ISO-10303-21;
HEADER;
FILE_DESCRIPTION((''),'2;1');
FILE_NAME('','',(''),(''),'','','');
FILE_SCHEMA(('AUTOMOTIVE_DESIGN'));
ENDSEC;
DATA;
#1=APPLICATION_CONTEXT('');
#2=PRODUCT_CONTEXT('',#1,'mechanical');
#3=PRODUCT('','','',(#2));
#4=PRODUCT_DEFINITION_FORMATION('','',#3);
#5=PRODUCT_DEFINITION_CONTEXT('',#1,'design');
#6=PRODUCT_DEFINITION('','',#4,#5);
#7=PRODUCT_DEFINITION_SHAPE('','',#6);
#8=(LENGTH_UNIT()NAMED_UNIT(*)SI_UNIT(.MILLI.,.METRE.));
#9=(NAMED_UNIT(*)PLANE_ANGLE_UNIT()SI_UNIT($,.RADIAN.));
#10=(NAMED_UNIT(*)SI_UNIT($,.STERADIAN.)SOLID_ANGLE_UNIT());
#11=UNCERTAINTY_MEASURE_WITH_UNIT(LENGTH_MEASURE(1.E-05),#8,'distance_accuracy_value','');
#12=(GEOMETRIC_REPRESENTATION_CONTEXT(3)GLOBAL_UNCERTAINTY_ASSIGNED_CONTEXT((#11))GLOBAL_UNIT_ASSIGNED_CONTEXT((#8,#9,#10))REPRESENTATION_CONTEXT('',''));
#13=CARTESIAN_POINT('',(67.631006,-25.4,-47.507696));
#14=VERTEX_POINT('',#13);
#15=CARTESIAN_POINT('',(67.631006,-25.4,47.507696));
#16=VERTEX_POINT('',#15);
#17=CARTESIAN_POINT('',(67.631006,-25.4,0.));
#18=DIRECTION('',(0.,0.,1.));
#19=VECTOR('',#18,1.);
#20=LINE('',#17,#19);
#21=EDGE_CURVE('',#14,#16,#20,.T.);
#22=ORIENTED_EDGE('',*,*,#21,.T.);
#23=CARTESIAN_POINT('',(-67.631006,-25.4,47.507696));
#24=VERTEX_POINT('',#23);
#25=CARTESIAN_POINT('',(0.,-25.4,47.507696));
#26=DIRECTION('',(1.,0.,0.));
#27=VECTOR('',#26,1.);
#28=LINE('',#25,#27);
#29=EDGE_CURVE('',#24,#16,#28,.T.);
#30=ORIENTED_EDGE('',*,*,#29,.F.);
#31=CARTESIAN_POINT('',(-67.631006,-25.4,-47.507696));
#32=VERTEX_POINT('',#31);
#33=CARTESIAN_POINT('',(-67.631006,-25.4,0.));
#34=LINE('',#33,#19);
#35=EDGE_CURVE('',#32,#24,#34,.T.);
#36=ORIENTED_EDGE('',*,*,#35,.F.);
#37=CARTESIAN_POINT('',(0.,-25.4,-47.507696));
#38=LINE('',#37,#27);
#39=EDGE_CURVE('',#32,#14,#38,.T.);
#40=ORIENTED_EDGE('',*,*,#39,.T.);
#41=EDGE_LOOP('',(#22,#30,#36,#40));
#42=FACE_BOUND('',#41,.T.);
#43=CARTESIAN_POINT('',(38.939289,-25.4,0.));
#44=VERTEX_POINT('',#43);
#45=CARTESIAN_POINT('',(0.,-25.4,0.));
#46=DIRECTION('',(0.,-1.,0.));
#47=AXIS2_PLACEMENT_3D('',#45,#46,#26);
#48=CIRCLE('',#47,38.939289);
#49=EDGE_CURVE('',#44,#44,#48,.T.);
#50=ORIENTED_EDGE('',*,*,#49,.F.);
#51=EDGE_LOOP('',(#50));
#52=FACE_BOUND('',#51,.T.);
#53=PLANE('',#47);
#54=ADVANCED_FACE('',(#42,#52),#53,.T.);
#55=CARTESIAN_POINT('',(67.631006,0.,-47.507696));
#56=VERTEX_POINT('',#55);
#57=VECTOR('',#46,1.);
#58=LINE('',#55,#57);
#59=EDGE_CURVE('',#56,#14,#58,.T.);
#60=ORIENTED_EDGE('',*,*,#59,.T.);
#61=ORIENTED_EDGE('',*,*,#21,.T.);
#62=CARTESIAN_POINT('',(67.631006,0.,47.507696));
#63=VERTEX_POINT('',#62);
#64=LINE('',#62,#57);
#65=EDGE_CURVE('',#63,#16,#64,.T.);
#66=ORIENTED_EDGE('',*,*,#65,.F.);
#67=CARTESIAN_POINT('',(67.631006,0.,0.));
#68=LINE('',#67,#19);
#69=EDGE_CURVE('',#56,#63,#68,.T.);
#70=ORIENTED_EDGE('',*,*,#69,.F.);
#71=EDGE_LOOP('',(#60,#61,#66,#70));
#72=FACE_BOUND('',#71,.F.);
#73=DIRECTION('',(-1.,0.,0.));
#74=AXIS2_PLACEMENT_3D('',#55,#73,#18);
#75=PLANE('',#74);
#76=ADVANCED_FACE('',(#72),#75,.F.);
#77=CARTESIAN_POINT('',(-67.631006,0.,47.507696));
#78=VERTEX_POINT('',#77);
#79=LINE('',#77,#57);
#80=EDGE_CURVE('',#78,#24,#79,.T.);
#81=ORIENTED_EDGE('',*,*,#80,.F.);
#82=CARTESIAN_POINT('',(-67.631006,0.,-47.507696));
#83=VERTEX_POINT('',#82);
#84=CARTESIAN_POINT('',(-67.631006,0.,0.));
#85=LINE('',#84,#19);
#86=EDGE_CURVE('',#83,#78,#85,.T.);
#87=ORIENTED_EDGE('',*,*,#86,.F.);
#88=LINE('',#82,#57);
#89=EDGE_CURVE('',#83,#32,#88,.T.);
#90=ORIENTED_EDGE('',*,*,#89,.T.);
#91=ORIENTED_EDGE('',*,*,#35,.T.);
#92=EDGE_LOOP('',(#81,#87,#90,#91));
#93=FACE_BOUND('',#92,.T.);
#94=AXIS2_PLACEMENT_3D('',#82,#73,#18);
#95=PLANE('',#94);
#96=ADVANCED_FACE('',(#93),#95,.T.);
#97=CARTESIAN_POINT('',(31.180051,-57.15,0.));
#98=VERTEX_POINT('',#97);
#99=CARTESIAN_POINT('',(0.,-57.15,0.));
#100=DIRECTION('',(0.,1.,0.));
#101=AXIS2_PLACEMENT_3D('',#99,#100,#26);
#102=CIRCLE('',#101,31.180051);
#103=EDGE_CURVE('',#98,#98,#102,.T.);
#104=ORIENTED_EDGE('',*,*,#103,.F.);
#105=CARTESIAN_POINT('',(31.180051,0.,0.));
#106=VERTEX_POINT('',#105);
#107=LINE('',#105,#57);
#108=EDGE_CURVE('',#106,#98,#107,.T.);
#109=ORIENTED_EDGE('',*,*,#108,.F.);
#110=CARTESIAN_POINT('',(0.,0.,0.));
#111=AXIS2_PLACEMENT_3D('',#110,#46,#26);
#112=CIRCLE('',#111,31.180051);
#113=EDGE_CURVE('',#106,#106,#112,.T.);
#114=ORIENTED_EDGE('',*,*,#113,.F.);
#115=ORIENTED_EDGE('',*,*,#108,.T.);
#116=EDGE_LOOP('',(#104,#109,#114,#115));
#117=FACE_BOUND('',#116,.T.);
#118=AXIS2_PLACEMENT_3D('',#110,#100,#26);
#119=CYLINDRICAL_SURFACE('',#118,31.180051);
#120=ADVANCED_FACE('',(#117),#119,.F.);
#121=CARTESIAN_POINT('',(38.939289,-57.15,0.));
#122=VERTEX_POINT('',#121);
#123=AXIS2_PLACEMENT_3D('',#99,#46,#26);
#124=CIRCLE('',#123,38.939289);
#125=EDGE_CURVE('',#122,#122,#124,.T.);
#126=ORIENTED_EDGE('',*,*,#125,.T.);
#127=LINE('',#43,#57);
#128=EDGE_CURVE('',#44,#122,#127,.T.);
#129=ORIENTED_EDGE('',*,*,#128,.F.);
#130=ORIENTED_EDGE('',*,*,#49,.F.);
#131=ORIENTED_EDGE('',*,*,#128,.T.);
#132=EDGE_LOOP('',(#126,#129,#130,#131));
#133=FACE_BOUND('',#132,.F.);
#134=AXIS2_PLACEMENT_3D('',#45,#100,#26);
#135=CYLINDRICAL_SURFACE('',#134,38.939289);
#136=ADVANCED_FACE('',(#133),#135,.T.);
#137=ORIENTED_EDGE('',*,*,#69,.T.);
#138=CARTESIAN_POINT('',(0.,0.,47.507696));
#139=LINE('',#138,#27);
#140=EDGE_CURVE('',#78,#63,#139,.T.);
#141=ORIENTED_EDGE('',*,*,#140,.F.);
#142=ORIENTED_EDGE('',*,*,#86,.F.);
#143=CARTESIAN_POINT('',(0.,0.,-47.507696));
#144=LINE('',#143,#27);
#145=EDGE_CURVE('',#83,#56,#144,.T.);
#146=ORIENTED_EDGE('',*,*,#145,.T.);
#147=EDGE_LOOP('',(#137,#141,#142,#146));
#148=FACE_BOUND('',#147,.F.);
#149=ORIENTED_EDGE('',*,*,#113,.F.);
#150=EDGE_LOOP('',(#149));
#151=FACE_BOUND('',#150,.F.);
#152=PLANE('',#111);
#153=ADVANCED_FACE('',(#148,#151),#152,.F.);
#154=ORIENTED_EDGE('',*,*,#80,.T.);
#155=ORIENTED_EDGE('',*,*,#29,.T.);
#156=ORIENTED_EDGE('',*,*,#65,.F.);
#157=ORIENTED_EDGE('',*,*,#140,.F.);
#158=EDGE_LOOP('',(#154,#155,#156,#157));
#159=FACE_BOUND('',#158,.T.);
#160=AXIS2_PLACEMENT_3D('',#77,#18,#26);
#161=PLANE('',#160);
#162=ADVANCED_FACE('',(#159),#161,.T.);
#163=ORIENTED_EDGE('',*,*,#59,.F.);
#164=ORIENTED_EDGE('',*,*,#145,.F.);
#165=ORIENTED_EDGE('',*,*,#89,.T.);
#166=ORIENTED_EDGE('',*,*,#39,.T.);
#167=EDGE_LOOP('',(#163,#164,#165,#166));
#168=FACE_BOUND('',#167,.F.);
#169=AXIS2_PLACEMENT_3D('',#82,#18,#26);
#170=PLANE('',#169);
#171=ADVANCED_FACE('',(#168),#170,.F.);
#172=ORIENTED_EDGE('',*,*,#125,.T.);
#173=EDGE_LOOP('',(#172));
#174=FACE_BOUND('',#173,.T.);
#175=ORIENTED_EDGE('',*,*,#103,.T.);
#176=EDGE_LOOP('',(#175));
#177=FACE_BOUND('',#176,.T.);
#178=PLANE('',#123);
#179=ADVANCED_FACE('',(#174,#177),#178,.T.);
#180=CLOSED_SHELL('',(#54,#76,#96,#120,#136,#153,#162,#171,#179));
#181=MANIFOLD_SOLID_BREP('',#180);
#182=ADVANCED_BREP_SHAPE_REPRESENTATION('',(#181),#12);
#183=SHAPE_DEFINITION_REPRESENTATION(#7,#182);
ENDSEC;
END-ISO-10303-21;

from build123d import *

# Parameters (mm, degrees)
F0_W     = 135.262012
F0_H     = 95.015392
F1_DEPTH = 25.4
F2_R     = 38.939289
F3_DEPTH = 31.75
F4_R     = 31.180051
F5_DEPTH = 76.2


with BuildPart() as f1:
    # F0 (on Front) → F1 (new body)
    with BuildSketch(Plane.XZ):
        Rectangle(F0_W, F0_H)
    extrude(amount=F1_DEPTH)

    # F2 (on face) → F3 (join)
    with BuildSketch(Plane.XZ.offset(25.4)):
        Circle(F2_R)
    extrude(amount=F3_DEPTH)

    # F4 (on Front) → F5 (cut)
    with BuildSketch(Plane.XZ):
        Circle(F4_R)
    extrude(amount=F5_DEPTH, mode=Mode.SUBTRACT)


solid = f1.part
